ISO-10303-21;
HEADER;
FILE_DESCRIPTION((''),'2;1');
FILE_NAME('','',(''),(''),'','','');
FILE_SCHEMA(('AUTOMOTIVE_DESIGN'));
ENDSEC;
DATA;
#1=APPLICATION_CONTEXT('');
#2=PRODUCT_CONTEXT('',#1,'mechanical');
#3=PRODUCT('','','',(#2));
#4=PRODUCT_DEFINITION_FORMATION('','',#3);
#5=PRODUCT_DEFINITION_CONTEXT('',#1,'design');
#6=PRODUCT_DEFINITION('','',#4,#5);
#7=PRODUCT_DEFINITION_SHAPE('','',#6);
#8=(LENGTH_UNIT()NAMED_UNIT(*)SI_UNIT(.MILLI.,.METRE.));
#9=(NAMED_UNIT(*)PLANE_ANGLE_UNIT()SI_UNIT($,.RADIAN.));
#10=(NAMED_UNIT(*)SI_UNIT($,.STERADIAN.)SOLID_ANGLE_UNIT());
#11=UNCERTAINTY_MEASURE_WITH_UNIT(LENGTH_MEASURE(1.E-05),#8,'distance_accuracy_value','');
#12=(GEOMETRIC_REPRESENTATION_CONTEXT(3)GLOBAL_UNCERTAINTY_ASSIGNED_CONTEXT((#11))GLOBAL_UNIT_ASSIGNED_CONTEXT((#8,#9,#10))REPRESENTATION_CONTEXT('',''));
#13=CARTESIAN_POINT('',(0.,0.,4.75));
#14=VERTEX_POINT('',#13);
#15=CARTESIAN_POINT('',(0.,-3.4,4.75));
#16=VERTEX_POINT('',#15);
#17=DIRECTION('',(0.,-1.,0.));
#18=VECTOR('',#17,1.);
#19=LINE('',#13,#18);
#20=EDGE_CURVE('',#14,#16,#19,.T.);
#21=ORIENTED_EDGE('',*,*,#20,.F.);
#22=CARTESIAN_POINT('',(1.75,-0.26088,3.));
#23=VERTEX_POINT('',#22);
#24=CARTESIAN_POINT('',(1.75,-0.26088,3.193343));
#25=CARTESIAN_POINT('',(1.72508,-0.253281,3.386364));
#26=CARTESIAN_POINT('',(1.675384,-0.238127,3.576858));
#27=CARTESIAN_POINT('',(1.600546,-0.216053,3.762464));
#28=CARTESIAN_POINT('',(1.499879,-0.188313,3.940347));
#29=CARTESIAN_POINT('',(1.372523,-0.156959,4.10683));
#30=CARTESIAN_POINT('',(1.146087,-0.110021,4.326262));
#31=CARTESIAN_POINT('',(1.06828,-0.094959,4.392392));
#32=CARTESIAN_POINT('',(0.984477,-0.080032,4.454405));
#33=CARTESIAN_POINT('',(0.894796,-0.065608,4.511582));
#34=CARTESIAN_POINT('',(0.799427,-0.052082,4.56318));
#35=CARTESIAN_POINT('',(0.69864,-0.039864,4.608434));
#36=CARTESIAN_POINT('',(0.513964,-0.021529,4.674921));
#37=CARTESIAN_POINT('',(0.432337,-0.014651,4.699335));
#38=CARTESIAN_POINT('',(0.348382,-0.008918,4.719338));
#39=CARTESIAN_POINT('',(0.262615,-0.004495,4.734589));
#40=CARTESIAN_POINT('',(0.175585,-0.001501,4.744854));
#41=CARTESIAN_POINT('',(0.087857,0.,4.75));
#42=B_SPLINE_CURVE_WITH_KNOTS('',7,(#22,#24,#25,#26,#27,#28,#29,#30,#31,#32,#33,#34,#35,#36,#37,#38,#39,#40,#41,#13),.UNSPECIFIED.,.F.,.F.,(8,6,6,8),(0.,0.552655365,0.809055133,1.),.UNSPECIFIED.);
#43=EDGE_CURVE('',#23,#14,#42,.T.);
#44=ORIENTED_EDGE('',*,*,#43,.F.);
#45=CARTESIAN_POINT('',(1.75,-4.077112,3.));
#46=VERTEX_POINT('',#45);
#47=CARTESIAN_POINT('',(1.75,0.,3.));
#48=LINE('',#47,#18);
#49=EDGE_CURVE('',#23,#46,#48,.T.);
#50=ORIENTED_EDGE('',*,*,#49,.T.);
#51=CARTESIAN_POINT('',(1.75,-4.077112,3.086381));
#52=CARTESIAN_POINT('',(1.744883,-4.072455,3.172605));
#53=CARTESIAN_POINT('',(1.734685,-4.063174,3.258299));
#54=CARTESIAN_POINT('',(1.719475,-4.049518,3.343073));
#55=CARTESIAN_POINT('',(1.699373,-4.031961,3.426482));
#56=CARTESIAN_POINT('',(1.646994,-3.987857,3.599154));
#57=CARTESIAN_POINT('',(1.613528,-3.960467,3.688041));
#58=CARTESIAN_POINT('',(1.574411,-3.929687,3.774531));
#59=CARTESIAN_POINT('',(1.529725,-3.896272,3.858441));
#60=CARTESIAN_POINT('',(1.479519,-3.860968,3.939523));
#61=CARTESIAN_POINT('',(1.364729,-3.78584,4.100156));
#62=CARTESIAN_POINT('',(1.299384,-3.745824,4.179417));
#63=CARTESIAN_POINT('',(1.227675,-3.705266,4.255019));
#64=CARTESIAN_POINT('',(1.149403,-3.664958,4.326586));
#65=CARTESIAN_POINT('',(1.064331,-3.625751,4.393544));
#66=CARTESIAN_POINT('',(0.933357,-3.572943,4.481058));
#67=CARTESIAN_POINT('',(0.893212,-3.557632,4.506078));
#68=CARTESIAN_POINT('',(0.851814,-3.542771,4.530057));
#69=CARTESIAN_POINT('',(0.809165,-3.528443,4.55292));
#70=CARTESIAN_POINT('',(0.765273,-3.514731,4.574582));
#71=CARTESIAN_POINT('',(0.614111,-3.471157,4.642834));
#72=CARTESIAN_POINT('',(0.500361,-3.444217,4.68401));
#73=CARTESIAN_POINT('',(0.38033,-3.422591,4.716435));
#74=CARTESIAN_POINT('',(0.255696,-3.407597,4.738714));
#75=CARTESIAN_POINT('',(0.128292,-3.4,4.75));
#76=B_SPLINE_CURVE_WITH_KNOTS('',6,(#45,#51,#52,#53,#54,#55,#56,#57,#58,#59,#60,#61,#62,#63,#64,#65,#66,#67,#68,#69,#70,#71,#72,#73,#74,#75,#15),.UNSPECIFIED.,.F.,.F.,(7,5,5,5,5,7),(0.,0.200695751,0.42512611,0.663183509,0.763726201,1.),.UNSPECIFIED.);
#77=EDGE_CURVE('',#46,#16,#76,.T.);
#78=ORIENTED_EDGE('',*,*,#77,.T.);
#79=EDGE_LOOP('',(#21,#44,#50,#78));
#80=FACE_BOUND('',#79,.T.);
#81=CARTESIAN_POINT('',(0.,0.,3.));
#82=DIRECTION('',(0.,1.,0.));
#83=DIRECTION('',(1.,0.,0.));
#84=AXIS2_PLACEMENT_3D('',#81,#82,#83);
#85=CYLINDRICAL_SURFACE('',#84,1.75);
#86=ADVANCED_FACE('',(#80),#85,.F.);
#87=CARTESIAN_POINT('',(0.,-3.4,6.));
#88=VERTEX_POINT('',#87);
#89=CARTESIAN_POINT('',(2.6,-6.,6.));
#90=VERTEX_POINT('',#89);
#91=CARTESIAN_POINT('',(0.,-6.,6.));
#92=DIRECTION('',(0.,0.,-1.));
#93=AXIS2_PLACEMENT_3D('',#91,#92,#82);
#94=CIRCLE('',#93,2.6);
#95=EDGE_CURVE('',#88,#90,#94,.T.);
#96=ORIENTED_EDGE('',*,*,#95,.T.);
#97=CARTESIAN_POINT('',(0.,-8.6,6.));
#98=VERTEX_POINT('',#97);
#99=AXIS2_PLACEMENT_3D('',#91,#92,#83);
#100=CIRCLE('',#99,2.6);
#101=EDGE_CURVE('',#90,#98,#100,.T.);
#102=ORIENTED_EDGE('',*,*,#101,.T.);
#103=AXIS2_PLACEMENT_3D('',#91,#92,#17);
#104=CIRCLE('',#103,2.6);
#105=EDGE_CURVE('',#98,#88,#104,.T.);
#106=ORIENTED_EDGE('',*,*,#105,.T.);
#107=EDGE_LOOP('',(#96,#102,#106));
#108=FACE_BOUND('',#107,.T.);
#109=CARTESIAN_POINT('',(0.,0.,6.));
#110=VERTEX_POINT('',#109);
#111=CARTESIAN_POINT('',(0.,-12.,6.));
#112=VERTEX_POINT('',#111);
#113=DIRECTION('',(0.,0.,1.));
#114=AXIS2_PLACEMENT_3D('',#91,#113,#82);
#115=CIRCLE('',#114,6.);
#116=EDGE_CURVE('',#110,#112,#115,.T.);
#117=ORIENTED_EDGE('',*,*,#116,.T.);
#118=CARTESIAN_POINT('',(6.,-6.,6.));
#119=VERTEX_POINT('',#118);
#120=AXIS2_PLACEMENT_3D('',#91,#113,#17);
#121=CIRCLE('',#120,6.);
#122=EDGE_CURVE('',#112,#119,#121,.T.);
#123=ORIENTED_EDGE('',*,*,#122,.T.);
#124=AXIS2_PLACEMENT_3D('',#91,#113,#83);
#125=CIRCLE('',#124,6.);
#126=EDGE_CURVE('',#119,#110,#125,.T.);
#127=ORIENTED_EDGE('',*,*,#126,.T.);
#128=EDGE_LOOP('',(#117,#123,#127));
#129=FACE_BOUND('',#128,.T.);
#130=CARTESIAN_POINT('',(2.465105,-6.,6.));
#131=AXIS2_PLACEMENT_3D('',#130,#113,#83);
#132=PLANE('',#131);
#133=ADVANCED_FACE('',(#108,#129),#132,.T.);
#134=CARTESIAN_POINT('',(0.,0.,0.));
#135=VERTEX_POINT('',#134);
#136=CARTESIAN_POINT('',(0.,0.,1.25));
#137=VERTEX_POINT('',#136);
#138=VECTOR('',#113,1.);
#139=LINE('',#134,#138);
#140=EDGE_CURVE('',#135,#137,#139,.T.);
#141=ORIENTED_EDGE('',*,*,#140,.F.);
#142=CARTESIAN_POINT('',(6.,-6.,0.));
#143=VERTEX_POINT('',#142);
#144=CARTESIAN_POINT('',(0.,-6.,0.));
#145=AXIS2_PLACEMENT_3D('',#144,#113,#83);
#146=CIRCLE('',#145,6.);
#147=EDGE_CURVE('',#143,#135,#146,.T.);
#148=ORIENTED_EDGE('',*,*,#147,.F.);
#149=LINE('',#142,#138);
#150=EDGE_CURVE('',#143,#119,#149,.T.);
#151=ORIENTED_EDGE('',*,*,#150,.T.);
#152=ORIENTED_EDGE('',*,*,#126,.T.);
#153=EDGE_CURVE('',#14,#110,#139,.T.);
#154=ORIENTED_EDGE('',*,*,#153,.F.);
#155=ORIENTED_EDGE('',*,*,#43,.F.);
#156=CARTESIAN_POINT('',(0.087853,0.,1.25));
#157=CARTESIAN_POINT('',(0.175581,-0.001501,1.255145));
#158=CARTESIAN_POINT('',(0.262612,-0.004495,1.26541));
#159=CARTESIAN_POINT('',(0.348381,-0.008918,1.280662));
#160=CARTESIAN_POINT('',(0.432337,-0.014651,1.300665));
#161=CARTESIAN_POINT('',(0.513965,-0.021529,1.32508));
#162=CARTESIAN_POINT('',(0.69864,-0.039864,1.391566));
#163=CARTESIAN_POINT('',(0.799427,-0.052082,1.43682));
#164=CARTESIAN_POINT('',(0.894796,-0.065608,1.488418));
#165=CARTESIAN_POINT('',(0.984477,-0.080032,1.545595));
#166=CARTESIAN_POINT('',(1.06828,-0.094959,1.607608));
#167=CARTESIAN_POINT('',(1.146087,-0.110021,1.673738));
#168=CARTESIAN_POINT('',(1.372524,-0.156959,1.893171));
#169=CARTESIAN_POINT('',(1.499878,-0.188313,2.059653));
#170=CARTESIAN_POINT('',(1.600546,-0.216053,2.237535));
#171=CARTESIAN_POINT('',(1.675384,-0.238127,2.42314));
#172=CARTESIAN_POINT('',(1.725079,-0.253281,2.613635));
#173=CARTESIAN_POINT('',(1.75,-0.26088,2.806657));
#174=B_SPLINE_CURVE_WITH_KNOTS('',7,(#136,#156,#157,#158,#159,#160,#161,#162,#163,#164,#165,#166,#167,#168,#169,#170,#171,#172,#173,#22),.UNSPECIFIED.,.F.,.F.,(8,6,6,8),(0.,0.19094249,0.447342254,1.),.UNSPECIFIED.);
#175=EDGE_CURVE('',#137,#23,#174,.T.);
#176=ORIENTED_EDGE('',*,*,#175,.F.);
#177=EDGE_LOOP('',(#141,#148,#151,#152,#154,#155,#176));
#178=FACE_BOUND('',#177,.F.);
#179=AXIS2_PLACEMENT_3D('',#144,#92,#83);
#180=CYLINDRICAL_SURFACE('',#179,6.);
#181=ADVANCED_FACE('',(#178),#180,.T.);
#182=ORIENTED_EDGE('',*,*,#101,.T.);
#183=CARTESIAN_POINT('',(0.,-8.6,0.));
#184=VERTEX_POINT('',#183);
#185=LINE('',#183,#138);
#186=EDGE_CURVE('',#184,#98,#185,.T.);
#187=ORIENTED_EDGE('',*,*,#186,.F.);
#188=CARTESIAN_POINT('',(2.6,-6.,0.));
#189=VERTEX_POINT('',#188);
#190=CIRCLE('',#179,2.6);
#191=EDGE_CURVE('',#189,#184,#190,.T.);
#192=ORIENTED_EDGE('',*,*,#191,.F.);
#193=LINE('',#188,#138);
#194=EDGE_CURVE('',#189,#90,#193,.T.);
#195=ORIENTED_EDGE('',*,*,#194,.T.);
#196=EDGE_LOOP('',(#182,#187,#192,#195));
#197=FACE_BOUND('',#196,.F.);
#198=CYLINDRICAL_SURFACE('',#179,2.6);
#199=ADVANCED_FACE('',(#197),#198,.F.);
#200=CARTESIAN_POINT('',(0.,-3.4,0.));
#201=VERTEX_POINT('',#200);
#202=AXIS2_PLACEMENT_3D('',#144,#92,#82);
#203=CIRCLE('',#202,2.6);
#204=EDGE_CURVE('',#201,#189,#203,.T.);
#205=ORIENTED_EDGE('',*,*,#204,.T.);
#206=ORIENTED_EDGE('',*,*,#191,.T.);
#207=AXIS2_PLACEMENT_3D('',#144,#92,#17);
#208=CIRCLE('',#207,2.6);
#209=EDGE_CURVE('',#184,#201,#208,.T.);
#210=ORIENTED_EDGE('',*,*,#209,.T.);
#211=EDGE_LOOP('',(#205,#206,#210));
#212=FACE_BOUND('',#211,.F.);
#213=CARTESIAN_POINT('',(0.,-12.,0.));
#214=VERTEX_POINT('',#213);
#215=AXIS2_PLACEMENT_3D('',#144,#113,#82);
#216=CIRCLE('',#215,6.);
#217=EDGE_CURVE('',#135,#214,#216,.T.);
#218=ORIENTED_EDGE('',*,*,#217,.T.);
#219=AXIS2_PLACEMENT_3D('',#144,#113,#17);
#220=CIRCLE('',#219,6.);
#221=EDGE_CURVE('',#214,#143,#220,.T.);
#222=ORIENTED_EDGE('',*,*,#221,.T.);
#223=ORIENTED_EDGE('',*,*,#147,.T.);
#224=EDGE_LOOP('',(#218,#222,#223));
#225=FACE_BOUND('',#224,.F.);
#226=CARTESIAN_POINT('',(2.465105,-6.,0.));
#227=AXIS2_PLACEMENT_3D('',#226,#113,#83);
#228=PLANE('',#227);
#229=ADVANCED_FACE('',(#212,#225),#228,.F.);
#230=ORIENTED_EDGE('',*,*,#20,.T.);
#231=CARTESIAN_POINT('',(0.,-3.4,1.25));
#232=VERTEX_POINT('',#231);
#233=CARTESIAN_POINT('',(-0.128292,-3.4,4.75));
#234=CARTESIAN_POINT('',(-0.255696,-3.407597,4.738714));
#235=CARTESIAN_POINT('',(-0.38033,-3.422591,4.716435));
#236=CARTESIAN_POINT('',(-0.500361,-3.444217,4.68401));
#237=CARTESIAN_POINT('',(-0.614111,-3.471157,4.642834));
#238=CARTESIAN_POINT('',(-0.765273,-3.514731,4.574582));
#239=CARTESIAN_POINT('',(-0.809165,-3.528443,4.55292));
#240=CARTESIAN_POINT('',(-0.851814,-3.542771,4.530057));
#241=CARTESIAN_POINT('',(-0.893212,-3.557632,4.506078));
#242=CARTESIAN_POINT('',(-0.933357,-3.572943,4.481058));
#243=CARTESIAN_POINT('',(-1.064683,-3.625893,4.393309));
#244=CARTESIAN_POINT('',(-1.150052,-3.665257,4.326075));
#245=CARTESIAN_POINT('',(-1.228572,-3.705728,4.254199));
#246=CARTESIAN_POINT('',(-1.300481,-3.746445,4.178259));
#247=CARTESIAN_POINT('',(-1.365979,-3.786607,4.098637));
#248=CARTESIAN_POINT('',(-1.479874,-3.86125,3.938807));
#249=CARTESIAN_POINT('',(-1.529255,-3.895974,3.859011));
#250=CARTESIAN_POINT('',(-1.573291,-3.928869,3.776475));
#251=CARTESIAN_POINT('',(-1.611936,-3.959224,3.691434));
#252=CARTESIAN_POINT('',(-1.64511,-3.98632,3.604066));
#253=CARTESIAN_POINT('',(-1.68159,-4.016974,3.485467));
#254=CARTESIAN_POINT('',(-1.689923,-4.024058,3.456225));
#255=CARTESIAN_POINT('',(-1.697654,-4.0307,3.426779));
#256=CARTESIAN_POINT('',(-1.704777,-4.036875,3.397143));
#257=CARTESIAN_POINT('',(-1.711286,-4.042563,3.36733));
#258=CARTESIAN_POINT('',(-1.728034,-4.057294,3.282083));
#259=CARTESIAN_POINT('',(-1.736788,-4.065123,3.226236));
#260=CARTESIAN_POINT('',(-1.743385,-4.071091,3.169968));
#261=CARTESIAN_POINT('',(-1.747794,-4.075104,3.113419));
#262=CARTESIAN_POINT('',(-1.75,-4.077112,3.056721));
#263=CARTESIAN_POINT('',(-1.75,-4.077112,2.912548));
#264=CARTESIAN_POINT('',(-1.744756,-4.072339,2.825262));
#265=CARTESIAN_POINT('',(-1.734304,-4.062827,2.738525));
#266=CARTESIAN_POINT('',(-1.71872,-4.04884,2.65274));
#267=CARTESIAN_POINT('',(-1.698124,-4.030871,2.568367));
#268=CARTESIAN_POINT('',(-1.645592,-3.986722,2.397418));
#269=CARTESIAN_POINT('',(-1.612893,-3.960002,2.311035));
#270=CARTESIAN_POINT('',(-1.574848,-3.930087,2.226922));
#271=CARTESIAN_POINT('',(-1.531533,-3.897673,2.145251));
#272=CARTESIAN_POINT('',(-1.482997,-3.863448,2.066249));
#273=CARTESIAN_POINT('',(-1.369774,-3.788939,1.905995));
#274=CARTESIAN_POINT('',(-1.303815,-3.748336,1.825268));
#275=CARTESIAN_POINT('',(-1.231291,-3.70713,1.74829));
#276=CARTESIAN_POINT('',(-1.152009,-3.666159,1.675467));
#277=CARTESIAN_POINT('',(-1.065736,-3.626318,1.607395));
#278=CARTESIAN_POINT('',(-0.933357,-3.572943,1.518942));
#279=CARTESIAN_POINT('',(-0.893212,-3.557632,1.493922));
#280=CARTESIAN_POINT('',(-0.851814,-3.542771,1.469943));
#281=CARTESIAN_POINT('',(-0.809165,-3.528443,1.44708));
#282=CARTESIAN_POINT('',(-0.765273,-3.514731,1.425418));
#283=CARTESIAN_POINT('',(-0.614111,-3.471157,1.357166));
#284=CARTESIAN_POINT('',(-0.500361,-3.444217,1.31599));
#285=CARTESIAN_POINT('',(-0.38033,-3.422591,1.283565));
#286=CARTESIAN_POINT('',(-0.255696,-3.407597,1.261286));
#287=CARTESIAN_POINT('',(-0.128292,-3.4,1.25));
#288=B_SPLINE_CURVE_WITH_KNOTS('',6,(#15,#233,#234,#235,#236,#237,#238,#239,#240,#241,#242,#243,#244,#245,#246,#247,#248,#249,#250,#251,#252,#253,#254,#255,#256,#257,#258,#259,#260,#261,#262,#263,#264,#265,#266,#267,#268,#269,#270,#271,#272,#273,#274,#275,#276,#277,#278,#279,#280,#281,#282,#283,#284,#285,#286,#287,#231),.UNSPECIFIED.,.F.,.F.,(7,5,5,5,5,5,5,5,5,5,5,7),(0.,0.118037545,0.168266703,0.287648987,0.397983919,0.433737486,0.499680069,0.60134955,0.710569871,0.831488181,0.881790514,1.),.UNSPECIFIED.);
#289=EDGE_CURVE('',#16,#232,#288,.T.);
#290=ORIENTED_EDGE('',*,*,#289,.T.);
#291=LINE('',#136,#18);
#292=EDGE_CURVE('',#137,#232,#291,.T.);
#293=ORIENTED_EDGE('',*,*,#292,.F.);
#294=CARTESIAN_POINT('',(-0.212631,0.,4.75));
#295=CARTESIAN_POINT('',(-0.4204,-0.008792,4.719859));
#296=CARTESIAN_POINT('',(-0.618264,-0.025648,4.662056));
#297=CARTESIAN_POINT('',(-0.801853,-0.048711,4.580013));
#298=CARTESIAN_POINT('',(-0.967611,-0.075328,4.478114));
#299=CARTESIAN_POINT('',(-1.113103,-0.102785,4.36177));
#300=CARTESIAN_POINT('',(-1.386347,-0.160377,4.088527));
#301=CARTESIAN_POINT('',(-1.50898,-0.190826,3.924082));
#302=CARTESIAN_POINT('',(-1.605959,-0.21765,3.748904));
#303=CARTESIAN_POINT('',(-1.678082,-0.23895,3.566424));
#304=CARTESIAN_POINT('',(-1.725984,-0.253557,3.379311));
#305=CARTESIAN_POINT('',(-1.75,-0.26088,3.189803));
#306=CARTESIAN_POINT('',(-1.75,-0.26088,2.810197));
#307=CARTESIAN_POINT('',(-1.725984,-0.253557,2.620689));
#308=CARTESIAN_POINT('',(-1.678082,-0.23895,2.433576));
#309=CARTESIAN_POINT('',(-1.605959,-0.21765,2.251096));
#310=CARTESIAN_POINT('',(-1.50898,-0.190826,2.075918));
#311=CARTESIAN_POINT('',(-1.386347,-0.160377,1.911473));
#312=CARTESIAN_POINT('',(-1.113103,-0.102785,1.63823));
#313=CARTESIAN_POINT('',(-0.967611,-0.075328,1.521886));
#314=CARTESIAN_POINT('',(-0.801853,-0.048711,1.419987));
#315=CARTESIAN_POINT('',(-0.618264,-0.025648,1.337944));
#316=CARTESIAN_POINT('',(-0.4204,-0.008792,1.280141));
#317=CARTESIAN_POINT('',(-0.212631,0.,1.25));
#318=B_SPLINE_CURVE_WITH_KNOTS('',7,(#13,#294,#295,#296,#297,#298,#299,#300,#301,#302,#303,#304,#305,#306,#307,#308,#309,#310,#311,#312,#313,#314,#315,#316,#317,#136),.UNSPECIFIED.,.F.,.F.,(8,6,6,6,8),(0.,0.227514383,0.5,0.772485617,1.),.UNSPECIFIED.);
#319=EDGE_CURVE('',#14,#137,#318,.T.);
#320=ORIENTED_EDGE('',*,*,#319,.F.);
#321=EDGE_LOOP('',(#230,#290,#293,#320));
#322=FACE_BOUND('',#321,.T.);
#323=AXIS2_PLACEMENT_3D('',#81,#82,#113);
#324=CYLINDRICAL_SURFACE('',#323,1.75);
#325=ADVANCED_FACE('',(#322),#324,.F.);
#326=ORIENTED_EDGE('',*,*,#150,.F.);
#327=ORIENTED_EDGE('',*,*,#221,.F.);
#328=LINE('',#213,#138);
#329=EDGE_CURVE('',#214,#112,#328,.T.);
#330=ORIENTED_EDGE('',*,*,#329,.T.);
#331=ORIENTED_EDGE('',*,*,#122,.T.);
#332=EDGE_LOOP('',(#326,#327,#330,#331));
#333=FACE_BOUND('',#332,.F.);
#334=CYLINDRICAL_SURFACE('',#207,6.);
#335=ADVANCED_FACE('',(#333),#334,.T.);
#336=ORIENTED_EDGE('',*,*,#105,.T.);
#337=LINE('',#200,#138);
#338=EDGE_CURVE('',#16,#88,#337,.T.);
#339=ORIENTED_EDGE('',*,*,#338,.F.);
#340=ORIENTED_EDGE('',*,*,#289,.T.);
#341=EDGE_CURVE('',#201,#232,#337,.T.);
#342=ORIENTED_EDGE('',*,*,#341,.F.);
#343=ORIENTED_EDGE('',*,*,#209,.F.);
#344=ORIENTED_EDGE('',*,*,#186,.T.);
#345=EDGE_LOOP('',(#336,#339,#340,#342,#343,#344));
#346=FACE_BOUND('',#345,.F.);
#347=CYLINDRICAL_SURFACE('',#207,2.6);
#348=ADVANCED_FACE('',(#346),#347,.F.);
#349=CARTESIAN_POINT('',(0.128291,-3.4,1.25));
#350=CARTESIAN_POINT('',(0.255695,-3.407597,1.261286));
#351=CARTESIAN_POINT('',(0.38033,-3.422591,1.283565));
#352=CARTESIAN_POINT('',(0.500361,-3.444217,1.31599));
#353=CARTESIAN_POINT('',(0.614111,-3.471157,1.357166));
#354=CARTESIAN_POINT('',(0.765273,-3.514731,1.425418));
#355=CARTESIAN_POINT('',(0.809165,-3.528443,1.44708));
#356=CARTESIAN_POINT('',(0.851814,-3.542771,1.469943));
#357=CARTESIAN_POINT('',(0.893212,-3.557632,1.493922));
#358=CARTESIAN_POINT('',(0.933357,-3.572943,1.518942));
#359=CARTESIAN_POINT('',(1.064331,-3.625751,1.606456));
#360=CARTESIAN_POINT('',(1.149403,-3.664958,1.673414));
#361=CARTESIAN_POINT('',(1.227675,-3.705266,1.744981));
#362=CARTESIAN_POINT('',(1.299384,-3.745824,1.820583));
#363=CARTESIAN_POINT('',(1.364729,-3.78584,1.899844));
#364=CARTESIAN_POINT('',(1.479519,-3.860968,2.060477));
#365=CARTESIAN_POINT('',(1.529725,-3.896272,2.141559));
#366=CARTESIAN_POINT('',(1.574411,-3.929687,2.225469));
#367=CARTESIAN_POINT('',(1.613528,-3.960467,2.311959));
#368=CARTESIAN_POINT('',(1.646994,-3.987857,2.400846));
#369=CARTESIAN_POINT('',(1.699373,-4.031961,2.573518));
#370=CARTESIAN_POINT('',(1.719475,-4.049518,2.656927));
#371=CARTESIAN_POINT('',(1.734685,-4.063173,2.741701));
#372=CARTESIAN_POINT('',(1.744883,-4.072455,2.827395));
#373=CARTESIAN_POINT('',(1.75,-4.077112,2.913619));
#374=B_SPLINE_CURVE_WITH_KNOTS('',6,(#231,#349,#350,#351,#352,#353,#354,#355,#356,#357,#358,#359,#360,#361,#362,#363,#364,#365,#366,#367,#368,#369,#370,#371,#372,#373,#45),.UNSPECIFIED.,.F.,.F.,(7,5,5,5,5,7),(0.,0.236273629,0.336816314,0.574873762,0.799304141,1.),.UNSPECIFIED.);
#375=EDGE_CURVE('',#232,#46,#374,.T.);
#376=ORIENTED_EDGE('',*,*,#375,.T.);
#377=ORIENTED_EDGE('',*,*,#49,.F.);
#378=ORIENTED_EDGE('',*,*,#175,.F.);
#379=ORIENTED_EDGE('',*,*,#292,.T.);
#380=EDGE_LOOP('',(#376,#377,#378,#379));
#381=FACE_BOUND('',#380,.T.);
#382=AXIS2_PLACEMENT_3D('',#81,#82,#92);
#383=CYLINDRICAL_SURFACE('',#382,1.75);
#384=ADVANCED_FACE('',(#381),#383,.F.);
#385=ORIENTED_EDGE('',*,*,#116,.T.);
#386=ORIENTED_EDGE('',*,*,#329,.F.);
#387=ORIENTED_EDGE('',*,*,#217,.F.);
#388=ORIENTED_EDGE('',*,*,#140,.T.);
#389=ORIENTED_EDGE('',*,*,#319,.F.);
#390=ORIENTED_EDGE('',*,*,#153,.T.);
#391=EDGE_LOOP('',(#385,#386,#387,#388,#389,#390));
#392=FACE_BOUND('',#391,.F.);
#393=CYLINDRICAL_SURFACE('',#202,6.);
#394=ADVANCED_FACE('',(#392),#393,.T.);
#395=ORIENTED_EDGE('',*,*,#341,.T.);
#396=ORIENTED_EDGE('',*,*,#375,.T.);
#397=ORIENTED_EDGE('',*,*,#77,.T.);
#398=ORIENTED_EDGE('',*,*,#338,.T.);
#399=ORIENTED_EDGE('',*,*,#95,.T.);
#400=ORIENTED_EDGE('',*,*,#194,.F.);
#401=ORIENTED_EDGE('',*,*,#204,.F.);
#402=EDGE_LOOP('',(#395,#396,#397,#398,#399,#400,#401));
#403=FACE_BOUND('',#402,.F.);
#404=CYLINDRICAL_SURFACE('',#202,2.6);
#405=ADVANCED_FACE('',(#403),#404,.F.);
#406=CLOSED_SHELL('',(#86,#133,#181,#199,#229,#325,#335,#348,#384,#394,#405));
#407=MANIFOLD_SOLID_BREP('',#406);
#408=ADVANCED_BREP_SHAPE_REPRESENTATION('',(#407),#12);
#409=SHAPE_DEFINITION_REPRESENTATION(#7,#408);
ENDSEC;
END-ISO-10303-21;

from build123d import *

# Parameters (mm, degrees)
F1_DEPTH = 6
F3_DEPTH = 5.9


with BuildPart() as f1:
    # F0 (on Top) → F1 (new body)
    with BuildSketch(Plane.XY):
        with BuildLine():
            ThreePointArc((6, -6), (4.2426406871, -1.7573593129), (0, 0))
            Line((0, 0), (0, -3.4))
            ThreePointArc((0, -3.4), (1.8384776311, -4.1615223689), (2.6, -6))
            ThreePointArc((2.6, -6), (1.8384776311, -7.8384776311), (0, -8.6))
            Line((0, -8.6), (0, -12))
            ThreePointArc((0, -12), (4.2426406871, -10.2426406871), (6, -6))
        make_face()
        with BuildLine():
            Line((0, -3.4), (0, 0))
            ThreePointArc((0, 0), (-6, -6), (0, -12))
            Line((0, -12), (0, -8.6))
            ThreePointArc((0, -8.6), (-2.6, -6), (0, -3.4))
        make_face()
    extrude(amount=F1_DEPTH)

    # F2 (on Front) → F3 (cut)
    with BuildSketch(Plane.XZ):
        with BuildLine():
            ThreePointArc((0, 4.75), (-1.75, 3), (0, 1.25))
            Line((0, 1.25), (0, 4.75))
        make_face()
        with BuildLine():
            Line((0, 4.75), (0, 1.25))
            ThreePointArc((0, 1.25), (1.2374368671, 1.7625631329), (1.75, 3))
            ThreePointArc((1.75, 3), (1.2374368671, 4.2374368671), (0, 4.75))
        make_face()
    extrude(amount=F3_DEPTH, mode=Mode.SUBTRACT)


solid = f1.part
